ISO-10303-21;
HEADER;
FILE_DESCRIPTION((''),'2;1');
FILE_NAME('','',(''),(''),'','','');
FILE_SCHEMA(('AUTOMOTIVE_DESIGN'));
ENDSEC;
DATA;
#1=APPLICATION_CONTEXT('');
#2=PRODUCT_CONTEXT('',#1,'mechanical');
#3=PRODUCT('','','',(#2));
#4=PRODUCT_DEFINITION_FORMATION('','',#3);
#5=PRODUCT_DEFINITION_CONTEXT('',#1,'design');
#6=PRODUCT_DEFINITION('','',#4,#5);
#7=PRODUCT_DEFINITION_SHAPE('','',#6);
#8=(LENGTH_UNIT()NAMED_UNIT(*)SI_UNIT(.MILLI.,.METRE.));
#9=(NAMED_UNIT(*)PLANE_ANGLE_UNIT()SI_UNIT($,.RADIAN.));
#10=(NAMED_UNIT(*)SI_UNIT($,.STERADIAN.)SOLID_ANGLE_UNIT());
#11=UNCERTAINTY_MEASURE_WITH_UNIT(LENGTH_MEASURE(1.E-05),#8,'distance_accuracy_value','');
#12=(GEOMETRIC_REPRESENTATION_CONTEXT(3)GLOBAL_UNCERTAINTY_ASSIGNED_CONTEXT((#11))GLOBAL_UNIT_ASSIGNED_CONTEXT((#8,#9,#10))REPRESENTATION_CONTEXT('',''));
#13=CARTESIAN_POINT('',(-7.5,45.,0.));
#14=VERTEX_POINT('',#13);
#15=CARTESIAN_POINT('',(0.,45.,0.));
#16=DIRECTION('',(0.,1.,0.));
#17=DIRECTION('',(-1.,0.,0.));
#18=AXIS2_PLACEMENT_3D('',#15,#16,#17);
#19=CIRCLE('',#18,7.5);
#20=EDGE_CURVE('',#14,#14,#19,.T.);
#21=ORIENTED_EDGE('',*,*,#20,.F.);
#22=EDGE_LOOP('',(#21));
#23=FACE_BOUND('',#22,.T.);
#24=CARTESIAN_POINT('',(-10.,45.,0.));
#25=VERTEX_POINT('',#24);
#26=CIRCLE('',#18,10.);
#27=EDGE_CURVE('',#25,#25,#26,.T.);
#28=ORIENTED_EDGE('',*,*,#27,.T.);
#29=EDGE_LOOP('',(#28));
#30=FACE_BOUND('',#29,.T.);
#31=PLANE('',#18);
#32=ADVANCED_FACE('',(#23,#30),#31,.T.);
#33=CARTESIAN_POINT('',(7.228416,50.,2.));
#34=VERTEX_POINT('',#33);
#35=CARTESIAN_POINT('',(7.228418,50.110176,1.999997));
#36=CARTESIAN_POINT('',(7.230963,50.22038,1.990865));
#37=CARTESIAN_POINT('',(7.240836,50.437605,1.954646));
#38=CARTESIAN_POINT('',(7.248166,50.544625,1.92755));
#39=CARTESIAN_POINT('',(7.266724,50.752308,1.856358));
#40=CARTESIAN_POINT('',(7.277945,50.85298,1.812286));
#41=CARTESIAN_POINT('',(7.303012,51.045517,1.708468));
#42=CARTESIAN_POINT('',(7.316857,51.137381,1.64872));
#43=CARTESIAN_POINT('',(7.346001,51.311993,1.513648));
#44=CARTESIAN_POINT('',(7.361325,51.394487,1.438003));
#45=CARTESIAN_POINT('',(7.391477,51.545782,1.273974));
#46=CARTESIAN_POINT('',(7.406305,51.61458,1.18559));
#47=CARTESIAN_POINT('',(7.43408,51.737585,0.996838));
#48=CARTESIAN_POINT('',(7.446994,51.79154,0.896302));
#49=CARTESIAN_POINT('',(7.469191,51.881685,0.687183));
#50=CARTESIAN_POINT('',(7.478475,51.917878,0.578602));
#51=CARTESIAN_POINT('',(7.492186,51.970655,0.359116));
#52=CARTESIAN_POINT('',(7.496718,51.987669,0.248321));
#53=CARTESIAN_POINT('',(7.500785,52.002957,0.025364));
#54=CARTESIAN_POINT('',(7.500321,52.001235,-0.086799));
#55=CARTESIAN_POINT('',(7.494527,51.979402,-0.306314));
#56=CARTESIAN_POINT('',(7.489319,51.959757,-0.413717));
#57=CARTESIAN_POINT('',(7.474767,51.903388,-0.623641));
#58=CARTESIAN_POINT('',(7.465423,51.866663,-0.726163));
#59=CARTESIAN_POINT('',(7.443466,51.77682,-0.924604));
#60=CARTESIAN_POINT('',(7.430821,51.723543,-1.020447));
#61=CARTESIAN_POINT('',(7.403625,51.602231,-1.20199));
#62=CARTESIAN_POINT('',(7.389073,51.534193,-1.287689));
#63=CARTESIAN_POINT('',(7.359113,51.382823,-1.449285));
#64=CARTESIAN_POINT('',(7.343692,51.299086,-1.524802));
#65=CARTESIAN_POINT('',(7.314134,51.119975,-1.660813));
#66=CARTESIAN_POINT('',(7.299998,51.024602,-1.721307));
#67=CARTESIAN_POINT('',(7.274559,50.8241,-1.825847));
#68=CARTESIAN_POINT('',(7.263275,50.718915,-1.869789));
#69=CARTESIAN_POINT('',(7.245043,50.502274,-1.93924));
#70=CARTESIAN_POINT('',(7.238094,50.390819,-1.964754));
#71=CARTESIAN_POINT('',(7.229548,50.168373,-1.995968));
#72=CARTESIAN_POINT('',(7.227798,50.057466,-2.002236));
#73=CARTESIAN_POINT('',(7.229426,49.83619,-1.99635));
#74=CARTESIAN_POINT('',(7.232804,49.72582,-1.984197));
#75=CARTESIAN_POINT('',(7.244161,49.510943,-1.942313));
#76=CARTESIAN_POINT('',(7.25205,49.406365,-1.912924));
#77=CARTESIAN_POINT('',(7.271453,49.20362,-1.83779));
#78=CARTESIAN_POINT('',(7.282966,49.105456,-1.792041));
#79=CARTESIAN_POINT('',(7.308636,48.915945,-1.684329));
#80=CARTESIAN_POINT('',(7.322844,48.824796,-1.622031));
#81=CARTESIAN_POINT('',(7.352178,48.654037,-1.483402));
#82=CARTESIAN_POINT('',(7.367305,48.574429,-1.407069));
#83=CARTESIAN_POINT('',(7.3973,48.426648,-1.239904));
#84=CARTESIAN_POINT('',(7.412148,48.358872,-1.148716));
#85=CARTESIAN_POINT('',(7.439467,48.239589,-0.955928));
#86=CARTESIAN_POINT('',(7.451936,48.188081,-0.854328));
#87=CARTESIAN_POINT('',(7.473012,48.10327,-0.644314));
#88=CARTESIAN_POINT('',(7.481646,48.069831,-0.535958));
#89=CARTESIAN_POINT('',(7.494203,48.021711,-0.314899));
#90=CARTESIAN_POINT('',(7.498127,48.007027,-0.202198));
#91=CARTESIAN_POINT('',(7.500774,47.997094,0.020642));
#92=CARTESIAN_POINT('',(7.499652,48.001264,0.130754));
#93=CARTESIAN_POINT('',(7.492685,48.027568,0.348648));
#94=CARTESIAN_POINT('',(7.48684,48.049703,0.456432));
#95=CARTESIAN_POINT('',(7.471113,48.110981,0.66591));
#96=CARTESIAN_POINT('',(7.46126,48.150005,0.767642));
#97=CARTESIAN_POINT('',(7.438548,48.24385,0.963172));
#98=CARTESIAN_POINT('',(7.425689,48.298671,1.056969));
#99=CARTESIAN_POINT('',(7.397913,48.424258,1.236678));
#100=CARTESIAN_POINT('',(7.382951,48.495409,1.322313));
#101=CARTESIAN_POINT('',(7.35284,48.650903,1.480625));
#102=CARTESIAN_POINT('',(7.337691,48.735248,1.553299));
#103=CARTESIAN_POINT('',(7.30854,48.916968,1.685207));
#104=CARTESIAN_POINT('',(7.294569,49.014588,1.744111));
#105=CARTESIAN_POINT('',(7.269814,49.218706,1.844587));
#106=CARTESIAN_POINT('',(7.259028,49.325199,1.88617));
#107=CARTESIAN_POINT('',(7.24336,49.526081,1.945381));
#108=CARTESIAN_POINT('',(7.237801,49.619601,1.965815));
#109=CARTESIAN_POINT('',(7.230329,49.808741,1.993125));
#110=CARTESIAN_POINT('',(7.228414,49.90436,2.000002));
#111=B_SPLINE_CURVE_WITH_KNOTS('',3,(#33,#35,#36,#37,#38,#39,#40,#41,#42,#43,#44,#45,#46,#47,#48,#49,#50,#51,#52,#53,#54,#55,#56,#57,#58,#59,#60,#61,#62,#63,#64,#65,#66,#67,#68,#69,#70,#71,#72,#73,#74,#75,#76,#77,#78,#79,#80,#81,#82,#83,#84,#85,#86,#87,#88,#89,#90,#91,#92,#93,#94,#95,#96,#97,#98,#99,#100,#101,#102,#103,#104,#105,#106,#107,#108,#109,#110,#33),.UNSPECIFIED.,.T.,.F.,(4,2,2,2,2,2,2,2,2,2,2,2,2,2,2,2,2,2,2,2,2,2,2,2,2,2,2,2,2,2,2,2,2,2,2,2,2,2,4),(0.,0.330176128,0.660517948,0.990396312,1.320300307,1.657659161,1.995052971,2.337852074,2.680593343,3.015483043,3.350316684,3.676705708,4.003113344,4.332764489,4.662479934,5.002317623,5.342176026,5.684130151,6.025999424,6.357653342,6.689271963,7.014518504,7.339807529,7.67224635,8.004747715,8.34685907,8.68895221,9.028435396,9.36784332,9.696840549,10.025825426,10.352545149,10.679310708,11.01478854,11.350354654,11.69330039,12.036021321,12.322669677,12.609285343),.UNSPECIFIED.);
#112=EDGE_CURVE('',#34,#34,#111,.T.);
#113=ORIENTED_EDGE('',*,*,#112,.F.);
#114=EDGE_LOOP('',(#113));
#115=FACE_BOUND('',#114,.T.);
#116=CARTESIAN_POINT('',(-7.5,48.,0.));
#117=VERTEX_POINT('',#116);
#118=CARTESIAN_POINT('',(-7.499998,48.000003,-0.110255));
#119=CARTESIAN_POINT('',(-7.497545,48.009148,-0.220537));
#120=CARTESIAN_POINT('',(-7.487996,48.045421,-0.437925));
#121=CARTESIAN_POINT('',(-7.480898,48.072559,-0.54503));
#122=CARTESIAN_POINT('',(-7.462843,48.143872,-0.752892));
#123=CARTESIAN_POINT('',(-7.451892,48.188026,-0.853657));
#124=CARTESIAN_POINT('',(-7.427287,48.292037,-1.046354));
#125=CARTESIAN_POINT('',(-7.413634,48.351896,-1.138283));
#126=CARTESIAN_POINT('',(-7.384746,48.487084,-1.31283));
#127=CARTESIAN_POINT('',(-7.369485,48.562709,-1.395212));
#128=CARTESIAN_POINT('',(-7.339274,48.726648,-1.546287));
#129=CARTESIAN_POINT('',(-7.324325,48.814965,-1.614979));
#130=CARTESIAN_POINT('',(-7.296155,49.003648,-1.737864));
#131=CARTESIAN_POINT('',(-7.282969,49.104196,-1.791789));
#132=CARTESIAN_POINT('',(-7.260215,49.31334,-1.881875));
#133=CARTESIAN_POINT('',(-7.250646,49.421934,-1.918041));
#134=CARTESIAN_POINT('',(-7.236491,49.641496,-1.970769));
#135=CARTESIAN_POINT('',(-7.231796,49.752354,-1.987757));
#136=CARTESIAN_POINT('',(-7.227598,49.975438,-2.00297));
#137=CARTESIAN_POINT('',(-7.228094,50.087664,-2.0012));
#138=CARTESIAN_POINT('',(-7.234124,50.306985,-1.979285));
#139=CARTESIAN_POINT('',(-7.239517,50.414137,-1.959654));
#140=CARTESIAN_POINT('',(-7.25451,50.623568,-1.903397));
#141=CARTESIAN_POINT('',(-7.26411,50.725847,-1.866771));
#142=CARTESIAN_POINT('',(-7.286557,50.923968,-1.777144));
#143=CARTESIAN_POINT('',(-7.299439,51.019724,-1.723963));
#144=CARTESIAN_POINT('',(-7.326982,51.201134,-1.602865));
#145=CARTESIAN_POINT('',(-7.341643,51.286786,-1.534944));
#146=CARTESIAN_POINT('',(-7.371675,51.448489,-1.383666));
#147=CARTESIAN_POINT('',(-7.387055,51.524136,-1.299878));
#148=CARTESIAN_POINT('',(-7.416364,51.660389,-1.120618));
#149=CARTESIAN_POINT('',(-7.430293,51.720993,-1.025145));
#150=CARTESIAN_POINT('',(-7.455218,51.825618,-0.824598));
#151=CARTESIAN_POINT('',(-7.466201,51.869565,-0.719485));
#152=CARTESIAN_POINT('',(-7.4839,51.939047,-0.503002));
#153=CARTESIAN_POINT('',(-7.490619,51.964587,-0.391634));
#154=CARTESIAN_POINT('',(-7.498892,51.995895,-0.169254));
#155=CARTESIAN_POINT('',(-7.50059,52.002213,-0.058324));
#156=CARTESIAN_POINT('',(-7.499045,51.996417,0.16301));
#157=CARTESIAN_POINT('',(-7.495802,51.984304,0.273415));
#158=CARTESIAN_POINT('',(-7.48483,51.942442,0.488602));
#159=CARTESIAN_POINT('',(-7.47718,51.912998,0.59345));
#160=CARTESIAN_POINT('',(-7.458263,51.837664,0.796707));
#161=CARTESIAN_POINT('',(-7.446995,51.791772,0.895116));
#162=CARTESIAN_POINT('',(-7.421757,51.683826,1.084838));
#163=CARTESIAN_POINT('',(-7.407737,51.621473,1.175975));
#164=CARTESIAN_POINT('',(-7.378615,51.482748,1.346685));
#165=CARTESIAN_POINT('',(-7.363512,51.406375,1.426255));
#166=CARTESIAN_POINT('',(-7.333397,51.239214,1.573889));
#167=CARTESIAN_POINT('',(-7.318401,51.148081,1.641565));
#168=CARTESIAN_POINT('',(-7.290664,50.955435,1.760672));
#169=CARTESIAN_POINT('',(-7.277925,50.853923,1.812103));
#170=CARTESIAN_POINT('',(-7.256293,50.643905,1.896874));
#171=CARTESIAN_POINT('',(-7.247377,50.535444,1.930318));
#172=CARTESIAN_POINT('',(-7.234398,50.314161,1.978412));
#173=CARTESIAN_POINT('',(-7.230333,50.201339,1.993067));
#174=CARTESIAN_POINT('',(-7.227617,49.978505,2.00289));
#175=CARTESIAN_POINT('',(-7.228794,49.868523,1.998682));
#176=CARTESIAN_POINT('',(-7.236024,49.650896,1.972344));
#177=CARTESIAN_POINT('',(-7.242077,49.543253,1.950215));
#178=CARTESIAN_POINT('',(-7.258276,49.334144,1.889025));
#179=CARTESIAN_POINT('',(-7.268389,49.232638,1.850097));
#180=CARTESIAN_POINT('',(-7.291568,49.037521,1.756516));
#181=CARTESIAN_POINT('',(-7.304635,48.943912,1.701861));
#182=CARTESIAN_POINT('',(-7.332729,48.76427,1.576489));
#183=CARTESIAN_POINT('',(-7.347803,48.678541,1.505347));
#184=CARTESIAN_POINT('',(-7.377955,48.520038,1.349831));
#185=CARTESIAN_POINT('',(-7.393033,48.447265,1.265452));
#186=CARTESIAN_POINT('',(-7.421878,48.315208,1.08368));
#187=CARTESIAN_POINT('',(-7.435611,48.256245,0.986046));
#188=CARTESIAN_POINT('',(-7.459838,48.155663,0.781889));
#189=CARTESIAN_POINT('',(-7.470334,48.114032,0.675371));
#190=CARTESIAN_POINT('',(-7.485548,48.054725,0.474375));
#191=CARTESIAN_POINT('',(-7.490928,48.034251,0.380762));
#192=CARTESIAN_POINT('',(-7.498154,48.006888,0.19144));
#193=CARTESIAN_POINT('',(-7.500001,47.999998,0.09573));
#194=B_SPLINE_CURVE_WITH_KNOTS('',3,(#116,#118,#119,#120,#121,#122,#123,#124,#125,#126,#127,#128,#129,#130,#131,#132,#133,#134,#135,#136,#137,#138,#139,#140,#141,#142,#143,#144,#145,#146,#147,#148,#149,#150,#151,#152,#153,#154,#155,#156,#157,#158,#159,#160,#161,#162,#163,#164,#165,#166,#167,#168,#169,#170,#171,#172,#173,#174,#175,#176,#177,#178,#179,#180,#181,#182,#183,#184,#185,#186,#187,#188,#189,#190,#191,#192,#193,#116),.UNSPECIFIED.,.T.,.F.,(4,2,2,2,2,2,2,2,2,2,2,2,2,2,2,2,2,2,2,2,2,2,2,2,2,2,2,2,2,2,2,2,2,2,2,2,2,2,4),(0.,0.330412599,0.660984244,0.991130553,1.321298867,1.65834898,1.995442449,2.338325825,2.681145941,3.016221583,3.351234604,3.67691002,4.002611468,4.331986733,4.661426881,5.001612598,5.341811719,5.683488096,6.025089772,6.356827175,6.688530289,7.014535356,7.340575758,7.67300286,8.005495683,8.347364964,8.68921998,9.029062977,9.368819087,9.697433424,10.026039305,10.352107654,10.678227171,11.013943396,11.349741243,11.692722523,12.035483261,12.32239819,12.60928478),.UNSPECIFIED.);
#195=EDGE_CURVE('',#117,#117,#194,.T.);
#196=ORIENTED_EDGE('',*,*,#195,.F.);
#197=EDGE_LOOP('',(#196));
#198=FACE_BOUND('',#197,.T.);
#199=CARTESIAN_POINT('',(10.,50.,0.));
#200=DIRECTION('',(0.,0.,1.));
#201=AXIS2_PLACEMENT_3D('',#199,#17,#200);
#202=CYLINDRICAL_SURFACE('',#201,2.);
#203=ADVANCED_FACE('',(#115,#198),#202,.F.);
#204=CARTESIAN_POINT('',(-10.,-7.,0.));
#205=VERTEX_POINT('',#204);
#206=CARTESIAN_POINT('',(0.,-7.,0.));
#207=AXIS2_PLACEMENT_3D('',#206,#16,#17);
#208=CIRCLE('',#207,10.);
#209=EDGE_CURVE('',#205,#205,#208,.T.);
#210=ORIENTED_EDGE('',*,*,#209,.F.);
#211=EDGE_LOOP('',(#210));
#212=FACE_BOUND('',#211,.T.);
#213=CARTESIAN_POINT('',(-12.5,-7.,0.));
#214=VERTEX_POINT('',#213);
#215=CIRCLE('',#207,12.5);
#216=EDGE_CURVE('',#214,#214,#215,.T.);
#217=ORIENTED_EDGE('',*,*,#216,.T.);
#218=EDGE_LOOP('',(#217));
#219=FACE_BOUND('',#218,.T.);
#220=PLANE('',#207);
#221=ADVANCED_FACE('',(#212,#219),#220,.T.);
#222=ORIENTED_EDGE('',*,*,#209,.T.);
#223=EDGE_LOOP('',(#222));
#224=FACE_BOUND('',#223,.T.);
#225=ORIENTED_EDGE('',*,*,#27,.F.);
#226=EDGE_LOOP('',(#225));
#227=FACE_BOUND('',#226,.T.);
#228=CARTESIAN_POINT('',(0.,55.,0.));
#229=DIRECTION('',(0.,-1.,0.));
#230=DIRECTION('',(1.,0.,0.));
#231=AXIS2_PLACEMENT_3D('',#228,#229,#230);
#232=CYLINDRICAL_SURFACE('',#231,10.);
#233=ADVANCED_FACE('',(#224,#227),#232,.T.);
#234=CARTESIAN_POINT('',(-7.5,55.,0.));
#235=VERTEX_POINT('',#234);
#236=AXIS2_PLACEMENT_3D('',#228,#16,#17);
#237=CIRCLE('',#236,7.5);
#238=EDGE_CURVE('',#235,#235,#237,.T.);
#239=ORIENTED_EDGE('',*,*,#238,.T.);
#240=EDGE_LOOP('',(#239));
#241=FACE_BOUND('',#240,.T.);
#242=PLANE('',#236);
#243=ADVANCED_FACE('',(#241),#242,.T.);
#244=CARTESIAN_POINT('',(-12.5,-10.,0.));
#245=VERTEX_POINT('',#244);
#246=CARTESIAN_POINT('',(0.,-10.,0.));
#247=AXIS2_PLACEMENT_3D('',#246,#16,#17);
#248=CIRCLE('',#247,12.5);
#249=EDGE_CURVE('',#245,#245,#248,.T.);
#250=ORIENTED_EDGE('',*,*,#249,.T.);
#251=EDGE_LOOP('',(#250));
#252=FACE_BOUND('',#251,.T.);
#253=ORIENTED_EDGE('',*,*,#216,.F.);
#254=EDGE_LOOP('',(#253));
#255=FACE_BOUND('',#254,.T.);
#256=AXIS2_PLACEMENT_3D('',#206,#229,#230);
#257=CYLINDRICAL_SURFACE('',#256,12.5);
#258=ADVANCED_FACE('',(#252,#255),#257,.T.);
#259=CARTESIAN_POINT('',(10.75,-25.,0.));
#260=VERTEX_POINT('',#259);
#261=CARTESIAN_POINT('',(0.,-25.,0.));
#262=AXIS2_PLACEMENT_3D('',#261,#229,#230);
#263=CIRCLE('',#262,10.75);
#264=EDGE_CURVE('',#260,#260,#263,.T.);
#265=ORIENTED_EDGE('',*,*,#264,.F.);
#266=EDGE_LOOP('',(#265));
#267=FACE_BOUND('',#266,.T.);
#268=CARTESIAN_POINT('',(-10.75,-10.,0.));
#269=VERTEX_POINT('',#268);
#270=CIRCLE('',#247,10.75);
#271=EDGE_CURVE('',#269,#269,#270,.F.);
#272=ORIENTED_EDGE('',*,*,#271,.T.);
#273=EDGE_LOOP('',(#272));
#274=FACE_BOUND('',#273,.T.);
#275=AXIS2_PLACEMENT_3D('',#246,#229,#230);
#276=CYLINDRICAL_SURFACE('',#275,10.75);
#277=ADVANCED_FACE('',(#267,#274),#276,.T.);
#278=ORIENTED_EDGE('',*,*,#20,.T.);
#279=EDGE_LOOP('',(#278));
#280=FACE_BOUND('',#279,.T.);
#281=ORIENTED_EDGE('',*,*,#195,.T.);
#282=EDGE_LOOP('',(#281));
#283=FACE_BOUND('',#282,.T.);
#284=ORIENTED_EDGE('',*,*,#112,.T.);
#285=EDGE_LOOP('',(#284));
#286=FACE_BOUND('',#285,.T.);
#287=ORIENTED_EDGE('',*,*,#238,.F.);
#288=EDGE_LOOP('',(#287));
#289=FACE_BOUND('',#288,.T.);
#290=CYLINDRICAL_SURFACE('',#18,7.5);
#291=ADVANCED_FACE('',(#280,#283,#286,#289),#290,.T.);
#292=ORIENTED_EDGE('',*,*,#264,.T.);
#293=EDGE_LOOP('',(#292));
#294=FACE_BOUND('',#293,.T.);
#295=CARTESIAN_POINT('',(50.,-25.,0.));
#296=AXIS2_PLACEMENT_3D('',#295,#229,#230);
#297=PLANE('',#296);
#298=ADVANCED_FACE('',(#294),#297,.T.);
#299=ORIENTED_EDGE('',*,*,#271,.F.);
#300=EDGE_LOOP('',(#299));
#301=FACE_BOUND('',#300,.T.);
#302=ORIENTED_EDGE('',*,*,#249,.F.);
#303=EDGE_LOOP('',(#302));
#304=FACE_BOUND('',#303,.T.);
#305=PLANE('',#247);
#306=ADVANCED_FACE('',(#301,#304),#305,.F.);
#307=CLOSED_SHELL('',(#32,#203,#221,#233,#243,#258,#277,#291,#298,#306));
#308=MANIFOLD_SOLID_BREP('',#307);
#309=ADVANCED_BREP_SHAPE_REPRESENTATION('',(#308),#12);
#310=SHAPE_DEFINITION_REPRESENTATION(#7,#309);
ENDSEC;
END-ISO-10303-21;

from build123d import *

# Parameters (mm, degrees)
SKETCH2_R               = 10
BOSS_EXTRUDE1_DEPTH     = 30
CUT_EXTRUDE1_START      = -10
SKETCH3_R               = 10
SKETCH3_R_2             = 7.5
CUT_EXTRUDE1_DEPTH      = 10
CUT_EXTRUDE3_DEPTH      = 10
CUT_EXTRUDE3_DEPTH_BACK = 10
SKETCH5_R               = 2
FILLET2_R               = 10
BOSS_EXTRUDE2_START     = -67.5
SKETCH7_R               = 10
BOSS_EXTRUDE2_DEPTH     = 67.5
SKETCH8_R               = 50
SKETCH8_R_2             = 10
CUT_EXTRUDE6_DEPTH      = 107.770782567
SKETCH10_R              = 10.75
SKETCH10_R_2            = 10
BOSS_EXTRUDE3_DEPTH     = 15
SKETCH11_R              = 12.5
BOSS_EXTRUDE4_DEPTH     = 3


with BuildPart() as part:
    # Sketch1 → Revolve1 (revolve)
    with BuildSketch(Plane.XY):
        Polygon((50, 25), (0, 25), (0, 22.5), (45, 22.5), (45, -22.5), (0, -22.5), (0, -25), (50, -25), align=None)
    revolve(axis=Axis((0, -25, 0), (0, 1, 0)))

    # Sketch2 → Boss-Extrude1 (add)
    with BuildSketch(Plane(origin=(0, 25, 0), x_dir=(1, 0, 0), z_dir=(0, 1, 0))):
        with Locations(Location((0, 0, 0), (0, 0, 180))):
            Circle(SKETCH2_R)
    extrude(amount=BOSS_EXTRUDE1_DEPTH)

    # Sketch3 → Cut-Extrude1 (cut)
    with BuildSketch(Plane(origin=(0, 55, 0), x_dir=(1, 0, 0), z_dir=(0, 1, 0)).offset(CUT_EXTRUDE1_START)):
        with Locations(Location((0, 0, 0), (0, 0, 180))):
            Circle(SKETCH3_R)
        with Locations(Location((0, 0, 0), (0, 0, 180))):
            Circle(SKETCH3_R_2, mode=Mode.SUBTRACT)
    extrude(amount=CUT_EXTRUDE1_DEPTH, mode=Mode.SUBTRACT)

    # Sketch5 → Cut-Extrude3 (cut, two sides: drawn at the far end of the back side and taken through both)
    with BuildSketch(Plane(origin=(0, 0, 0), x_dir=(0, 0, -1), z_dir=(1, 0, 0)).offset(-CUT_EXTRUDE3_DEPTH_BACK)):
        with Locations(Location((0, 50, 0), (0, 0, 180))):
            Circle(SKETCH5_R)
    extrude(amount=CUT_EXTRUDE3_DEPTH + CUT_EXTRUDE3_DEPTH_BACK, mode=Mode.SUBTRACT)

    # Fillet2
    fillet2_edges = [part.edges().sort_by_distance(p)[0] for p in [
        (-50, 25, 0),
    ]]
    fillet(fillet2_edges, radius=FILLET2_R)

    # Sketch7 → Boss-Extrude2 (add)
    with BuildSketch(Plane(origin=(0, 45, 0), x_dir=(1, 0, 0), z_dir=(0, 1, 0)).offset(BOSS_EXTRUDE2_START)):
        with Locations(Location((0, 0, 0), (0, 0, 180))):
            Circle(SKETCH7_R)
    extrude(amount=BOSS_EXTRUDE2_DEPTH)

    # Sketch8 → Cut-Extrude6 (cut, through all)
    with BuildSketch(Plane(origin=(0, 55, 0), x_dir=(1, 0, 0), z_dir=(0, 1, 0))):
        Circle(SKETCH8_R)
        with Locations(Location((0, 0, 0), (0, 0, 180))):
            Circle(SKETCH8_R_2, mode=Mode.SUBTRACT)
    extrude(amount=-CUT_EXTRUDE6_DEPTH, mode=Mode.SUBTRACT)

    # Sketch10 → Boss-Extrude3 (add)
    with BuildSketch(Plane.XZ.offset(25)):
        Circle(SKETCH10_R)
        Circle(SKETCH10_R_2, mode=Mode.SUBTRACT)
    extrude(amount=-BOSS_EXTRUDE3_DEPTH)

    # Sketch11 → Boss-Extrude4 (add)
    with BuildSketch(Plane(origin=(0, -10, 0), x_dir=(1, 0, 0), z_dir=(0, 1, 0))):
        with Locations(Location((0, 0, 0), (0, 0, 180))):
            Circle(SKETCH11_R)
    extrude(amount=BOSS_EXTRUDE4_DEPTH)


solid = part.part
